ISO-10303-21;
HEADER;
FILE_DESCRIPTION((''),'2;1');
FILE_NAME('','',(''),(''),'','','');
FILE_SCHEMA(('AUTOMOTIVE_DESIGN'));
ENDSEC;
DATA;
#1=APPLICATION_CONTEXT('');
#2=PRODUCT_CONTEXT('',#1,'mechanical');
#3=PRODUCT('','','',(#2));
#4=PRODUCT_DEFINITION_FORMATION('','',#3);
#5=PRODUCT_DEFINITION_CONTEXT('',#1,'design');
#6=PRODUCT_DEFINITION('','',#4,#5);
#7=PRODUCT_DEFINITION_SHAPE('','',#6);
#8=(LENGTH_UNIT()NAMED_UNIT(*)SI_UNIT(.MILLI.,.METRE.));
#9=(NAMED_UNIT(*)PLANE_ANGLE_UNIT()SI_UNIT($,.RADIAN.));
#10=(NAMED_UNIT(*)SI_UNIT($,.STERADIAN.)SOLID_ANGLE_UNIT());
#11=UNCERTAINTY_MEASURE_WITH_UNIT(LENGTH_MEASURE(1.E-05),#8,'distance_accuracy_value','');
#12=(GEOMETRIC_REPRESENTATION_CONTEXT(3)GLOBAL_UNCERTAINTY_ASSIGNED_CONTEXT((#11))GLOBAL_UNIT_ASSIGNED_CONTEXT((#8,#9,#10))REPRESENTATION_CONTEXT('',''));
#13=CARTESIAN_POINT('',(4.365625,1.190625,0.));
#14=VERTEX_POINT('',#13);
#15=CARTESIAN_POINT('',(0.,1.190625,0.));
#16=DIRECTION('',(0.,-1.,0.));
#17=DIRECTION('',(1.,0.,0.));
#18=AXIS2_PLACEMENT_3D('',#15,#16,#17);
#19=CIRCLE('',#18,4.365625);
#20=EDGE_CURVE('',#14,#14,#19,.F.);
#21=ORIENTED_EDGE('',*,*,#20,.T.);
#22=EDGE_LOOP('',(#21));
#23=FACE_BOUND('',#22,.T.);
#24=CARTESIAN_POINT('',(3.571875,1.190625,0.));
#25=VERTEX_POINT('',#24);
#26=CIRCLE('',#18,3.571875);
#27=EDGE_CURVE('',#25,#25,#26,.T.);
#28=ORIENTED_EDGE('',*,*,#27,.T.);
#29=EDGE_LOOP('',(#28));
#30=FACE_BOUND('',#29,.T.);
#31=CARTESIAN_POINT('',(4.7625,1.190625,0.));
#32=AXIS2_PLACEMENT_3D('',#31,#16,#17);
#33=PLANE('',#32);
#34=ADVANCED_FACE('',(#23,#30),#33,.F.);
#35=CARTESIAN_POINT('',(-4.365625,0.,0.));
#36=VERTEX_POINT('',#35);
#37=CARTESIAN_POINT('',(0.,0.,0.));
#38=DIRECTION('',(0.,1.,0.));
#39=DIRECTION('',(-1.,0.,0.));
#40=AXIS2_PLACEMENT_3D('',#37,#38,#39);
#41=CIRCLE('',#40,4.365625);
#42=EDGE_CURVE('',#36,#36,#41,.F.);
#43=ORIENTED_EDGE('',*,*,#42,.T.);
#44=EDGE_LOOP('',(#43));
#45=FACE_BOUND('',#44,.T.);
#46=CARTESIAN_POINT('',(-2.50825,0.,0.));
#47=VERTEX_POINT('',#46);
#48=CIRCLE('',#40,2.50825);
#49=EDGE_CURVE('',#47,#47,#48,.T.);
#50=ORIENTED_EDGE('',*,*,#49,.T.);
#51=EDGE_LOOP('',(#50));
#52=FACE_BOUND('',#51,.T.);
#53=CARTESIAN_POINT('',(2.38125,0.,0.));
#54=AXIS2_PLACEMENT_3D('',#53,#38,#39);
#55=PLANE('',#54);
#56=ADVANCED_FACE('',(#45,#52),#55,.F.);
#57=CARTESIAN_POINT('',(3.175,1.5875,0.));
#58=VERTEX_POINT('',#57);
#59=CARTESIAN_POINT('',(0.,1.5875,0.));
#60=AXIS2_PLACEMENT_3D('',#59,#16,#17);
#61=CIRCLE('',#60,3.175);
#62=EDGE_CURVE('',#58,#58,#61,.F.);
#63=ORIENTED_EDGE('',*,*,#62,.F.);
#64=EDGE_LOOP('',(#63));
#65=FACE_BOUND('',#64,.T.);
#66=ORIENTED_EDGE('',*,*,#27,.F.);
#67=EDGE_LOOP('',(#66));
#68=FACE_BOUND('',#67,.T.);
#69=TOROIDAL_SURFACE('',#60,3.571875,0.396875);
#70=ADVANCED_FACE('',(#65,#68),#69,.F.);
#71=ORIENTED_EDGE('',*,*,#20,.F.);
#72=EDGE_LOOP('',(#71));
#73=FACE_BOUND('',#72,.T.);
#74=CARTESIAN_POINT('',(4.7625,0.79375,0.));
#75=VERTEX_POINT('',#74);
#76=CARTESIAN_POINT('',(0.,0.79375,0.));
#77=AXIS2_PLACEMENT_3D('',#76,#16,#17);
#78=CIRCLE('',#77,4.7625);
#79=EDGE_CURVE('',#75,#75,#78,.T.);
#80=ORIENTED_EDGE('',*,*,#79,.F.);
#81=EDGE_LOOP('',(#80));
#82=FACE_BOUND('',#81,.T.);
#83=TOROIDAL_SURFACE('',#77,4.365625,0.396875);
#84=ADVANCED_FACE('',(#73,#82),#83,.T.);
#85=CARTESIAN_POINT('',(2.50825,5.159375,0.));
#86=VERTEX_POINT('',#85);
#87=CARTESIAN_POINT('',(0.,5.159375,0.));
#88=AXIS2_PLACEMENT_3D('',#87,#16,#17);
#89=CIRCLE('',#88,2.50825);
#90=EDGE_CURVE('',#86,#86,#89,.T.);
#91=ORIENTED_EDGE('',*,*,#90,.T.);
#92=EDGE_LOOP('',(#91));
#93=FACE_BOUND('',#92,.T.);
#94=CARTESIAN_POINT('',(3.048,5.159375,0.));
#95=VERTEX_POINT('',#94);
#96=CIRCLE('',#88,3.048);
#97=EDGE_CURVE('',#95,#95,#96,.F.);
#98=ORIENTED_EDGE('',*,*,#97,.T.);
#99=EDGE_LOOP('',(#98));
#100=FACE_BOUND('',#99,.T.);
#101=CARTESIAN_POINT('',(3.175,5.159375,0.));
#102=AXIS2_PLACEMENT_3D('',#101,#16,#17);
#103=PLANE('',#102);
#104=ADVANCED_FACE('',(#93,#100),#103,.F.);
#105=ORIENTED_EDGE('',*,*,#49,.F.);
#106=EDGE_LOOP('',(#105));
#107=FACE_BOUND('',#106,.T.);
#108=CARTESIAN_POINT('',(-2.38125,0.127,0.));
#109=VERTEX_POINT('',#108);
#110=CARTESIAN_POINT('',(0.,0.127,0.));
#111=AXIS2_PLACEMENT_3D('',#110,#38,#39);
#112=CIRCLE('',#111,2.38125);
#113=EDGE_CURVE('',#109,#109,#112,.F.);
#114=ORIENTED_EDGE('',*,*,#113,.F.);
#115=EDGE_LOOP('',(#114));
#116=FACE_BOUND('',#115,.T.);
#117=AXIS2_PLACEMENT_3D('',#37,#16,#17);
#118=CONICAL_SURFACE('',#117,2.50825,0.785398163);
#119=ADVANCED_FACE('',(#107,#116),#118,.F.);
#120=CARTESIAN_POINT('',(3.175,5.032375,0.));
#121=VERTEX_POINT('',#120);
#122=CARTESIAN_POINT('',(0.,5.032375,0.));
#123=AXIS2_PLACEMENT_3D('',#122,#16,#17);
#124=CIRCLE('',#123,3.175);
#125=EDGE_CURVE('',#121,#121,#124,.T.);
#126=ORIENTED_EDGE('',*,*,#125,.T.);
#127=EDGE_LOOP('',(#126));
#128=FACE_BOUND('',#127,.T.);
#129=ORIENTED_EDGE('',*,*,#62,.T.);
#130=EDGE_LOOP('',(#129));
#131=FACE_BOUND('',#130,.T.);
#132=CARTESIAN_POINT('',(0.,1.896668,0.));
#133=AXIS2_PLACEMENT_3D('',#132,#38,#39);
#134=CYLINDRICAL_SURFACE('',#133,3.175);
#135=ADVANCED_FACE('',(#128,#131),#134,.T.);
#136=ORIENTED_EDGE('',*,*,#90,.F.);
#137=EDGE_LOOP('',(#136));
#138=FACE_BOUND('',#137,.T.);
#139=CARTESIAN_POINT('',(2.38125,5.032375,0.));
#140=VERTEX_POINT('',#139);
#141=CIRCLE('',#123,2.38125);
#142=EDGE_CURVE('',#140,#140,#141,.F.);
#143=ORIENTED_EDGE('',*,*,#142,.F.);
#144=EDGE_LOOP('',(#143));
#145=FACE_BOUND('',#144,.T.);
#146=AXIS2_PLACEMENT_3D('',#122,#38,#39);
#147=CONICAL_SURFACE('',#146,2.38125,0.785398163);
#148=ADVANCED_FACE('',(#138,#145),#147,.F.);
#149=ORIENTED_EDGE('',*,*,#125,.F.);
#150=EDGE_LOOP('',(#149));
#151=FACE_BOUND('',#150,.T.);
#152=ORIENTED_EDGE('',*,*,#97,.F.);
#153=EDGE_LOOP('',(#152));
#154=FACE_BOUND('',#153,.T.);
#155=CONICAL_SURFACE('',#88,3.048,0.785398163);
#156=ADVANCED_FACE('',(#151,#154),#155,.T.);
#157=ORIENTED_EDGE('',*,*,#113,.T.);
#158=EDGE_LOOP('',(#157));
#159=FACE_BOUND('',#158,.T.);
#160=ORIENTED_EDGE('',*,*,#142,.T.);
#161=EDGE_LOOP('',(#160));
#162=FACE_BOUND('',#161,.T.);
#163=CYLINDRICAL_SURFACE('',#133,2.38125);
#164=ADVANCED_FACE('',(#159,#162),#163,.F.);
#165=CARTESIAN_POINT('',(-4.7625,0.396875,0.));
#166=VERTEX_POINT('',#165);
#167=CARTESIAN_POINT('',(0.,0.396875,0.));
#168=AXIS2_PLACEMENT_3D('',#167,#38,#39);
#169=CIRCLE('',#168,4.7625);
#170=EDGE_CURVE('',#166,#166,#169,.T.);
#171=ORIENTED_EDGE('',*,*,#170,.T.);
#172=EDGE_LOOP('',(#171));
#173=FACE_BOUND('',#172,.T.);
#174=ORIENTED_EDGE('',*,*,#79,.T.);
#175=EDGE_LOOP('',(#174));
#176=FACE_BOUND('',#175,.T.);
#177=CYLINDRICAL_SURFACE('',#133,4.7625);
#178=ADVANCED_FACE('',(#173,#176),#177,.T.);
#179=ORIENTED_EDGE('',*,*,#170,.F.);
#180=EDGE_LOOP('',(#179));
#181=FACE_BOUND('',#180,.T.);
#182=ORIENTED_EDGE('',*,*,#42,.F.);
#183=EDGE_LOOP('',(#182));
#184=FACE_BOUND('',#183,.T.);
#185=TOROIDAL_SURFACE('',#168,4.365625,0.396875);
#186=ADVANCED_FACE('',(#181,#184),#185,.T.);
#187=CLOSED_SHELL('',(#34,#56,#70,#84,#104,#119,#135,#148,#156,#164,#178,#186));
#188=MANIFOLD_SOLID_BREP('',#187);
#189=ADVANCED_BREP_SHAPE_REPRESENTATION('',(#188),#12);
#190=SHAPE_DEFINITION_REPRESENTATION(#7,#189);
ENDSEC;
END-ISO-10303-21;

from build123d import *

# Parameters (mm, degrees)
FILLET1_R     = 0.396875
CHAMFER1_SIZE = 0.127


with BuildPart() as part:
    # Sketch1 → Revolve1 (revolve)
    with BuildSketch(Plane.XY):
        Polygon((2.38125, 0), (4.7625, 0), (4.7625, 1.190625), (3.175, 1.190625), (3.175, 5.159375), (2.38125, 5.159375), align=None)
    revolve(axis=Axis((0, 1.896667818, 0), (0, -1, 0)))

    # Fillet1
    fillet1_edges = [part.edges().sort_by_distance(p)[0] for p in [
        (-3.175, 1.190625, 0),
        (-4.7625, 1.190625, 0),
        (-4.7625, 0, 0),
    ]]
    fillet(fillet1_edges, radius=FILLET1_R)

    # Chamfer1
    chamfer1_edges = [part.edges().sort_by_distance(p)[0] for p in [
        (-2.38125, 5.159375, 0),
        (-3.175, 5.159375, 0),
        (-2.38125, 0, 0),
    ]]
    chamfer(chamfer1_edges, length=CHAMFER1_SIZE)


solid = part.part
